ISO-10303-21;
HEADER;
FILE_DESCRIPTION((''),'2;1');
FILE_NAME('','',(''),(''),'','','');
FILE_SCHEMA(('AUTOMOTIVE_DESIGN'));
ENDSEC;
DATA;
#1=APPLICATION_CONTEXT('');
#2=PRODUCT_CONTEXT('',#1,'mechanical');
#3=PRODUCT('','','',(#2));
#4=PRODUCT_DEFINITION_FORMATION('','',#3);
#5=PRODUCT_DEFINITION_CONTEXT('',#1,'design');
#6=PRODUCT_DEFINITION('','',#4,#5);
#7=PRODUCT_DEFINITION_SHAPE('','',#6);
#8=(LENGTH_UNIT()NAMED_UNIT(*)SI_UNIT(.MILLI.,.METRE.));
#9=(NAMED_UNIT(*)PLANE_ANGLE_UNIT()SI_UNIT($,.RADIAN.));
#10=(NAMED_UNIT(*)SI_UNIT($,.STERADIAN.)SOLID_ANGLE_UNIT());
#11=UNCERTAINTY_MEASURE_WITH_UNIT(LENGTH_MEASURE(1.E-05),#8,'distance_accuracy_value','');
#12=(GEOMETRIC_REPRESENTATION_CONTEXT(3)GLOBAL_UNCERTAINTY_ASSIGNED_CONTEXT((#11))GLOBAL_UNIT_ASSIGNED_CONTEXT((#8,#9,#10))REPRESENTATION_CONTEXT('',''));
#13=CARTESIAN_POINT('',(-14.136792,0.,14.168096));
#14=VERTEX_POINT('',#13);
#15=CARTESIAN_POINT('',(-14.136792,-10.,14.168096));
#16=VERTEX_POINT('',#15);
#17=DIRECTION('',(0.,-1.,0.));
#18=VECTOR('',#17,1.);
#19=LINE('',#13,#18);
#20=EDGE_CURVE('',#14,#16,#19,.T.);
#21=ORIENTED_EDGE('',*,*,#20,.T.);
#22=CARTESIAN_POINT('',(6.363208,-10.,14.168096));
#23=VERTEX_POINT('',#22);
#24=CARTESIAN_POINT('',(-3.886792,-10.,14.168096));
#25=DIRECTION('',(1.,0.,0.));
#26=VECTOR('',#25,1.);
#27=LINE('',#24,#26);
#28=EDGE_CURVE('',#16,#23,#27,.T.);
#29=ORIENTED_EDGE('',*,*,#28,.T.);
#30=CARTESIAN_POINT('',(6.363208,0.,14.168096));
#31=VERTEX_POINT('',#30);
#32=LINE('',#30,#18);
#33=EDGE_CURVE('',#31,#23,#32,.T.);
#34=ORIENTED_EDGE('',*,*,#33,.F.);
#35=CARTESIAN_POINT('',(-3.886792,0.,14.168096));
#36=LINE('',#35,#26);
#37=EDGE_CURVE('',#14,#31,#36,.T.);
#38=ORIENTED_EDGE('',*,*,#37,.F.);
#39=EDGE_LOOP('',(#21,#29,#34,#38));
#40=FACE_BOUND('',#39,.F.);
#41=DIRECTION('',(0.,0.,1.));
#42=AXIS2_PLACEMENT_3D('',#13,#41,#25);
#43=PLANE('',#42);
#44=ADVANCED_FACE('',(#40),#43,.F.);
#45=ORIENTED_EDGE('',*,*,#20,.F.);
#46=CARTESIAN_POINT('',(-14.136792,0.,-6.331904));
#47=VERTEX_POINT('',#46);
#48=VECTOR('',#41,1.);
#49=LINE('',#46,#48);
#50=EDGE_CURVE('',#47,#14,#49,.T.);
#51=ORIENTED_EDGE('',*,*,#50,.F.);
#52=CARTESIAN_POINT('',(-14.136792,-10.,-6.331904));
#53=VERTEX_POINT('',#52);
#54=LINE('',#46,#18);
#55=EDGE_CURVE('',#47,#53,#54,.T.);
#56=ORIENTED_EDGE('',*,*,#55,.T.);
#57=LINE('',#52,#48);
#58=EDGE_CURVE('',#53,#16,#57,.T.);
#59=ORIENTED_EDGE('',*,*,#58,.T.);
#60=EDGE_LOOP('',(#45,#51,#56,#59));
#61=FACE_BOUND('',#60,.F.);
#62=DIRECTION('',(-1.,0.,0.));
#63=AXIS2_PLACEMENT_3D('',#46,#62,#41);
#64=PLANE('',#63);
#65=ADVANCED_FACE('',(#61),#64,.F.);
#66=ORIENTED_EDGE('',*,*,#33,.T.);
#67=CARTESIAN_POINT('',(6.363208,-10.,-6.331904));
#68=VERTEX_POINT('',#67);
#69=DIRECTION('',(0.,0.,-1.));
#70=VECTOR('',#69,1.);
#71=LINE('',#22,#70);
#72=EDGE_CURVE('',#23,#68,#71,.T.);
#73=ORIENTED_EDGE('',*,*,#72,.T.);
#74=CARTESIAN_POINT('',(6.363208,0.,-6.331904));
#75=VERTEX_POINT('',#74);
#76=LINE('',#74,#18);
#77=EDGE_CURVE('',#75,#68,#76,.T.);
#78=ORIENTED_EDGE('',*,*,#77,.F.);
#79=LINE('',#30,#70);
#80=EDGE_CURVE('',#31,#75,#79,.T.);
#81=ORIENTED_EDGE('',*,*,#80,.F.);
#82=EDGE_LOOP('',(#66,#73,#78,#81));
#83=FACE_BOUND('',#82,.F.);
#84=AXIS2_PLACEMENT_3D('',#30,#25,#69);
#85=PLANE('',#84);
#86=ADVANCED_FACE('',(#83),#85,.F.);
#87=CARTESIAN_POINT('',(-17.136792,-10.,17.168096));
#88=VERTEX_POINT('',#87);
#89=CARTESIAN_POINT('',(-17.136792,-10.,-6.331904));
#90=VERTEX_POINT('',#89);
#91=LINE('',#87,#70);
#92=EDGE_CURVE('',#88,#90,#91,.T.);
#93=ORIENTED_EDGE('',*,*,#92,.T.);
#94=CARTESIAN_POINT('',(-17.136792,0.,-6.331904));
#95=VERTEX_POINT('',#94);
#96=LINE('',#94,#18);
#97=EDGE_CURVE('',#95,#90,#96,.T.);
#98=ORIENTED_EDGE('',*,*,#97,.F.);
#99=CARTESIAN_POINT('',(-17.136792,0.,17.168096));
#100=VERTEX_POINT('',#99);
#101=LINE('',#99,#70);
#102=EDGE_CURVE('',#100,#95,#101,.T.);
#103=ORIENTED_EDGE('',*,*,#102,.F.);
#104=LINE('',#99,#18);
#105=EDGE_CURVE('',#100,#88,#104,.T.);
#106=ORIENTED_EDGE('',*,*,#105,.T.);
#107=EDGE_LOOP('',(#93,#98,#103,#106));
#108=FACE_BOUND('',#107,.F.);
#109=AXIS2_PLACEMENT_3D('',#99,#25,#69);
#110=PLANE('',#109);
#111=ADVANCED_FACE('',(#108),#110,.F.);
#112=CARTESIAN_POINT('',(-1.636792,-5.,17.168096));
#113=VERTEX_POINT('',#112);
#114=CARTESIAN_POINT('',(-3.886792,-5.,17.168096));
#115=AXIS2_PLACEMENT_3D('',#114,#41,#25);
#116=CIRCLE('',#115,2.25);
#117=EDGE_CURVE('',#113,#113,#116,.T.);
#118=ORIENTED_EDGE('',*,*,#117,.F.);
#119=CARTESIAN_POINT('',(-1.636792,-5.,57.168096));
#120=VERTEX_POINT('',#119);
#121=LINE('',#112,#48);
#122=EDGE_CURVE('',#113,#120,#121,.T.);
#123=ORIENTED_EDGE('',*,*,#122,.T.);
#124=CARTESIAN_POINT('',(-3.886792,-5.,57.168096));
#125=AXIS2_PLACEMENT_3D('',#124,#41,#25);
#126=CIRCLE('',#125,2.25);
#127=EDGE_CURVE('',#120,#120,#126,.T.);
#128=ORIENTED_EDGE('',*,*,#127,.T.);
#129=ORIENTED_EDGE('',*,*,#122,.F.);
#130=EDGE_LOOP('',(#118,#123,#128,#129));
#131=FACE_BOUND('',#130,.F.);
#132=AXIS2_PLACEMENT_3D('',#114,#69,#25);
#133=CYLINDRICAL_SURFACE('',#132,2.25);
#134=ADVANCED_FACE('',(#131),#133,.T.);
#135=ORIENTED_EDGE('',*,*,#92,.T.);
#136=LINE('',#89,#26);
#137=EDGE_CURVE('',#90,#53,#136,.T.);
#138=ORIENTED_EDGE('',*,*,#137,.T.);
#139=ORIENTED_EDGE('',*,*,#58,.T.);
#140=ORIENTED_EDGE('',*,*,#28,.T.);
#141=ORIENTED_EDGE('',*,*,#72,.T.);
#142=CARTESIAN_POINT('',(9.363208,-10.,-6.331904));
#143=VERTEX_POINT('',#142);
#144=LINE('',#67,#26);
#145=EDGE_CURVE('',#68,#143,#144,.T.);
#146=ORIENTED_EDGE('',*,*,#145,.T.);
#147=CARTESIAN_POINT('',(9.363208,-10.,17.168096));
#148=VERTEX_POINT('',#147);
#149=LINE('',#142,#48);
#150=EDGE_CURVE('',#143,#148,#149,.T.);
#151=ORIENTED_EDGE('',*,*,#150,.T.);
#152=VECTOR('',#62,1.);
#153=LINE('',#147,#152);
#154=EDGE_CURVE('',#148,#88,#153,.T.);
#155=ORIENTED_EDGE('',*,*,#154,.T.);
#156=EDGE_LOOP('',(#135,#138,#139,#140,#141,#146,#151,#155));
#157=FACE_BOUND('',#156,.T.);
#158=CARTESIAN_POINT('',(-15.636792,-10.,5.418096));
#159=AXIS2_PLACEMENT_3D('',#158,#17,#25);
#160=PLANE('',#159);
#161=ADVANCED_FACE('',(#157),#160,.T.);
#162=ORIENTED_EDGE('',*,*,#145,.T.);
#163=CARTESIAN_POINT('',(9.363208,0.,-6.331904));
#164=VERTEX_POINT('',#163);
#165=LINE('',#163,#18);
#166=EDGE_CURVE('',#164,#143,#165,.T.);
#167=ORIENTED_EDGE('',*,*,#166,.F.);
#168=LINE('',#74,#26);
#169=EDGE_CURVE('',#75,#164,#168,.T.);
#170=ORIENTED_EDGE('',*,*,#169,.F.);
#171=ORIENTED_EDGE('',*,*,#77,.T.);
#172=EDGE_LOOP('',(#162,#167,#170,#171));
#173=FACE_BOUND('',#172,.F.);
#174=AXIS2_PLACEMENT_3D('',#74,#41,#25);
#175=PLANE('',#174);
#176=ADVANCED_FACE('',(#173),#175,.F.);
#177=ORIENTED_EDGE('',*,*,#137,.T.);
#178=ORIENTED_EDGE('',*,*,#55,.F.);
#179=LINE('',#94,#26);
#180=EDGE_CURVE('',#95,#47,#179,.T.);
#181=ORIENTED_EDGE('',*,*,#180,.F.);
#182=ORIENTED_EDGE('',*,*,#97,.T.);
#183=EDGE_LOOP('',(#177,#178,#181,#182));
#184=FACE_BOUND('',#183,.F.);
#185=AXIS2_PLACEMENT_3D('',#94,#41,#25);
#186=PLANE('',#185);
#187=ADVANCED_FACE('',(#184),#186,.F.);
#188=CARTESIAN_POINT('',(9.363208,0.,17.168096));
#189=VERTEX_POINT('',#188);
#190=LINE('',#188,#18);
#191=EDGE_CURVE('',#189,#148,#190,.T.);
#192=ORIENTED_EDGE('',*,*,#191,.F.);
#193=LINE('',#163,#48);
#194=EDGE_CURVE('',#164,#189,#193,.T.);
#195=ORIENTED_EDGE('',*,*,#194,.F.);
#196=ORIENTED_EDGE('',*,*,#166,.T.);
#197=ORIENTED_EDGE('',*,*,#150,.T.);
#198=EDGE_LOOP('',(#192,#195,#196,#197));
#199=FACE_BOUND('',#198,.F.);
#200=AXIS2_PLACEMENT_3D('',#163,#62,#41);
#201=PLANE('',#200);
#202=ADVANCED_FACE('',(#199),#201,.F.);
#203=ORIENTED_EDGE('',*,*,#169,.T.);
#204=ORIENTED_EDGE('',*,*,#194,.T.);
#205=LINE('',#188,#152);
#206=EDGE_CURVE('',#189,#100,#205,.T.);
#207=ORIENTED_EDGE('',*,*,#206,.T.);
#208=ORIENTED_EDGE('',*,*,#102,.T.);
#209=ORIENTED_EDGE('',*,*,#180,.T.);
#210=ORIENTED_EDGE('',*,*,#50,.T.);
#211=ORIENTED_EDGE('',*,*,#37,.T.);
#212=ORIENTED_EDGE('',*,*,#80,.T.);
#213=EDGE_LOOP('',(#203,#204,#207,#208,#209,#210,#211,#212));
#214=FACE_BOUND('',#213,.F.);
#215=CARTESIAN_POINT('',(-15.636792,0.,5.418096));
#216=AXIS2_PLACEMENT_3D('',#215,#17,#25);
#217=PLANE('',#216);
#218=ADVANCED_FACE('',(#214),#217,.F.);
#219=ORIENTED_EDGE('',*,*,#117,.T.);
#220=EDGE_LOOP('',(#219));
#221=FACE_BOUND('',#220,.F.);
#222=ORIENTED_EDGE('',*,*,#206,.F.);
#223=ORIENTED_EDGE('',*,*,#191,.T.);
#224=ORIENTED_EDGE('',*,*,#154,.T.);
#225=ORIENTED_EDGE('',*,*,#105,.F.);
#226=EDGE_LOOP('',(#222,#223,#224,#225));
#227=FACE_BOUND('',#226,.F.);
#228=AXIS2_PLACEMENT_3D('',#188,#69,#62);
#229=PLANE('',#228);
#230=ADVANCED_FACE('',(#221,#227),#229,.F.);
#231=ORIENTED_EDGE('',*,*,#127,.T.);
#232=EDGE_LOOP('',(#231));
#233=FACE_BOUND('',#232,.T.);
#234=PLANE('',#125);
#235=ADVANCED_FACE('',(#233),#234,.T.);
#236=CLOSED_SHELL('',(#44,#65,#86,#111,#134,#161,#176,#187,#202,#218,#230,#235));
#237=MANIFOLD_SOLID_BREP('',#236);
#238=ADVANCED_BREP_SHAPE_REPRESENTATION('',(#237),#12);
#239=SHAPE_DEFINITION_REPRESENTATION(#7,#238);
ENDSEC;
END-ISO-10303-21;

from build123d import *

# Parameters (mm, degrees)
F0_W     = 20.5
F0_H     = 3
F1_DEPTH = 10
F2_R     = 2.25
F3_DEPTH = 40


with BuildPart() as f1:
    # F0 (on Front) → F1 (new body)
    with BuildSketch(Plane.XZ):
        Polygon((-17.136792, -6.331904), (-14.136792, -6.331904), (-14.136792, 14.168096), (-14.136792, 17.168096), (-17.136792, 17.168096), align=None)
        with Locations((-3.886792, 15.668096)):
            Rectangle(F0_W, F0_H)
        Polygon((6.363208, 14.168096), (6.363208, -6.331904), (9.363208, -6.331904), (9.363208, 17.168096), (6.363208, 17.168096), align=None)
    extrude(amount=F1_DEPTH)

    # F2 (on face) → F3 (join)
    with BuildSketch(Plane.XY.offset(17.168096)):
        with Locations((-3.886792, -5)):
            Circle(F2_R)
    extrude(amount=F3_DEPTH)


solid = f1.part
